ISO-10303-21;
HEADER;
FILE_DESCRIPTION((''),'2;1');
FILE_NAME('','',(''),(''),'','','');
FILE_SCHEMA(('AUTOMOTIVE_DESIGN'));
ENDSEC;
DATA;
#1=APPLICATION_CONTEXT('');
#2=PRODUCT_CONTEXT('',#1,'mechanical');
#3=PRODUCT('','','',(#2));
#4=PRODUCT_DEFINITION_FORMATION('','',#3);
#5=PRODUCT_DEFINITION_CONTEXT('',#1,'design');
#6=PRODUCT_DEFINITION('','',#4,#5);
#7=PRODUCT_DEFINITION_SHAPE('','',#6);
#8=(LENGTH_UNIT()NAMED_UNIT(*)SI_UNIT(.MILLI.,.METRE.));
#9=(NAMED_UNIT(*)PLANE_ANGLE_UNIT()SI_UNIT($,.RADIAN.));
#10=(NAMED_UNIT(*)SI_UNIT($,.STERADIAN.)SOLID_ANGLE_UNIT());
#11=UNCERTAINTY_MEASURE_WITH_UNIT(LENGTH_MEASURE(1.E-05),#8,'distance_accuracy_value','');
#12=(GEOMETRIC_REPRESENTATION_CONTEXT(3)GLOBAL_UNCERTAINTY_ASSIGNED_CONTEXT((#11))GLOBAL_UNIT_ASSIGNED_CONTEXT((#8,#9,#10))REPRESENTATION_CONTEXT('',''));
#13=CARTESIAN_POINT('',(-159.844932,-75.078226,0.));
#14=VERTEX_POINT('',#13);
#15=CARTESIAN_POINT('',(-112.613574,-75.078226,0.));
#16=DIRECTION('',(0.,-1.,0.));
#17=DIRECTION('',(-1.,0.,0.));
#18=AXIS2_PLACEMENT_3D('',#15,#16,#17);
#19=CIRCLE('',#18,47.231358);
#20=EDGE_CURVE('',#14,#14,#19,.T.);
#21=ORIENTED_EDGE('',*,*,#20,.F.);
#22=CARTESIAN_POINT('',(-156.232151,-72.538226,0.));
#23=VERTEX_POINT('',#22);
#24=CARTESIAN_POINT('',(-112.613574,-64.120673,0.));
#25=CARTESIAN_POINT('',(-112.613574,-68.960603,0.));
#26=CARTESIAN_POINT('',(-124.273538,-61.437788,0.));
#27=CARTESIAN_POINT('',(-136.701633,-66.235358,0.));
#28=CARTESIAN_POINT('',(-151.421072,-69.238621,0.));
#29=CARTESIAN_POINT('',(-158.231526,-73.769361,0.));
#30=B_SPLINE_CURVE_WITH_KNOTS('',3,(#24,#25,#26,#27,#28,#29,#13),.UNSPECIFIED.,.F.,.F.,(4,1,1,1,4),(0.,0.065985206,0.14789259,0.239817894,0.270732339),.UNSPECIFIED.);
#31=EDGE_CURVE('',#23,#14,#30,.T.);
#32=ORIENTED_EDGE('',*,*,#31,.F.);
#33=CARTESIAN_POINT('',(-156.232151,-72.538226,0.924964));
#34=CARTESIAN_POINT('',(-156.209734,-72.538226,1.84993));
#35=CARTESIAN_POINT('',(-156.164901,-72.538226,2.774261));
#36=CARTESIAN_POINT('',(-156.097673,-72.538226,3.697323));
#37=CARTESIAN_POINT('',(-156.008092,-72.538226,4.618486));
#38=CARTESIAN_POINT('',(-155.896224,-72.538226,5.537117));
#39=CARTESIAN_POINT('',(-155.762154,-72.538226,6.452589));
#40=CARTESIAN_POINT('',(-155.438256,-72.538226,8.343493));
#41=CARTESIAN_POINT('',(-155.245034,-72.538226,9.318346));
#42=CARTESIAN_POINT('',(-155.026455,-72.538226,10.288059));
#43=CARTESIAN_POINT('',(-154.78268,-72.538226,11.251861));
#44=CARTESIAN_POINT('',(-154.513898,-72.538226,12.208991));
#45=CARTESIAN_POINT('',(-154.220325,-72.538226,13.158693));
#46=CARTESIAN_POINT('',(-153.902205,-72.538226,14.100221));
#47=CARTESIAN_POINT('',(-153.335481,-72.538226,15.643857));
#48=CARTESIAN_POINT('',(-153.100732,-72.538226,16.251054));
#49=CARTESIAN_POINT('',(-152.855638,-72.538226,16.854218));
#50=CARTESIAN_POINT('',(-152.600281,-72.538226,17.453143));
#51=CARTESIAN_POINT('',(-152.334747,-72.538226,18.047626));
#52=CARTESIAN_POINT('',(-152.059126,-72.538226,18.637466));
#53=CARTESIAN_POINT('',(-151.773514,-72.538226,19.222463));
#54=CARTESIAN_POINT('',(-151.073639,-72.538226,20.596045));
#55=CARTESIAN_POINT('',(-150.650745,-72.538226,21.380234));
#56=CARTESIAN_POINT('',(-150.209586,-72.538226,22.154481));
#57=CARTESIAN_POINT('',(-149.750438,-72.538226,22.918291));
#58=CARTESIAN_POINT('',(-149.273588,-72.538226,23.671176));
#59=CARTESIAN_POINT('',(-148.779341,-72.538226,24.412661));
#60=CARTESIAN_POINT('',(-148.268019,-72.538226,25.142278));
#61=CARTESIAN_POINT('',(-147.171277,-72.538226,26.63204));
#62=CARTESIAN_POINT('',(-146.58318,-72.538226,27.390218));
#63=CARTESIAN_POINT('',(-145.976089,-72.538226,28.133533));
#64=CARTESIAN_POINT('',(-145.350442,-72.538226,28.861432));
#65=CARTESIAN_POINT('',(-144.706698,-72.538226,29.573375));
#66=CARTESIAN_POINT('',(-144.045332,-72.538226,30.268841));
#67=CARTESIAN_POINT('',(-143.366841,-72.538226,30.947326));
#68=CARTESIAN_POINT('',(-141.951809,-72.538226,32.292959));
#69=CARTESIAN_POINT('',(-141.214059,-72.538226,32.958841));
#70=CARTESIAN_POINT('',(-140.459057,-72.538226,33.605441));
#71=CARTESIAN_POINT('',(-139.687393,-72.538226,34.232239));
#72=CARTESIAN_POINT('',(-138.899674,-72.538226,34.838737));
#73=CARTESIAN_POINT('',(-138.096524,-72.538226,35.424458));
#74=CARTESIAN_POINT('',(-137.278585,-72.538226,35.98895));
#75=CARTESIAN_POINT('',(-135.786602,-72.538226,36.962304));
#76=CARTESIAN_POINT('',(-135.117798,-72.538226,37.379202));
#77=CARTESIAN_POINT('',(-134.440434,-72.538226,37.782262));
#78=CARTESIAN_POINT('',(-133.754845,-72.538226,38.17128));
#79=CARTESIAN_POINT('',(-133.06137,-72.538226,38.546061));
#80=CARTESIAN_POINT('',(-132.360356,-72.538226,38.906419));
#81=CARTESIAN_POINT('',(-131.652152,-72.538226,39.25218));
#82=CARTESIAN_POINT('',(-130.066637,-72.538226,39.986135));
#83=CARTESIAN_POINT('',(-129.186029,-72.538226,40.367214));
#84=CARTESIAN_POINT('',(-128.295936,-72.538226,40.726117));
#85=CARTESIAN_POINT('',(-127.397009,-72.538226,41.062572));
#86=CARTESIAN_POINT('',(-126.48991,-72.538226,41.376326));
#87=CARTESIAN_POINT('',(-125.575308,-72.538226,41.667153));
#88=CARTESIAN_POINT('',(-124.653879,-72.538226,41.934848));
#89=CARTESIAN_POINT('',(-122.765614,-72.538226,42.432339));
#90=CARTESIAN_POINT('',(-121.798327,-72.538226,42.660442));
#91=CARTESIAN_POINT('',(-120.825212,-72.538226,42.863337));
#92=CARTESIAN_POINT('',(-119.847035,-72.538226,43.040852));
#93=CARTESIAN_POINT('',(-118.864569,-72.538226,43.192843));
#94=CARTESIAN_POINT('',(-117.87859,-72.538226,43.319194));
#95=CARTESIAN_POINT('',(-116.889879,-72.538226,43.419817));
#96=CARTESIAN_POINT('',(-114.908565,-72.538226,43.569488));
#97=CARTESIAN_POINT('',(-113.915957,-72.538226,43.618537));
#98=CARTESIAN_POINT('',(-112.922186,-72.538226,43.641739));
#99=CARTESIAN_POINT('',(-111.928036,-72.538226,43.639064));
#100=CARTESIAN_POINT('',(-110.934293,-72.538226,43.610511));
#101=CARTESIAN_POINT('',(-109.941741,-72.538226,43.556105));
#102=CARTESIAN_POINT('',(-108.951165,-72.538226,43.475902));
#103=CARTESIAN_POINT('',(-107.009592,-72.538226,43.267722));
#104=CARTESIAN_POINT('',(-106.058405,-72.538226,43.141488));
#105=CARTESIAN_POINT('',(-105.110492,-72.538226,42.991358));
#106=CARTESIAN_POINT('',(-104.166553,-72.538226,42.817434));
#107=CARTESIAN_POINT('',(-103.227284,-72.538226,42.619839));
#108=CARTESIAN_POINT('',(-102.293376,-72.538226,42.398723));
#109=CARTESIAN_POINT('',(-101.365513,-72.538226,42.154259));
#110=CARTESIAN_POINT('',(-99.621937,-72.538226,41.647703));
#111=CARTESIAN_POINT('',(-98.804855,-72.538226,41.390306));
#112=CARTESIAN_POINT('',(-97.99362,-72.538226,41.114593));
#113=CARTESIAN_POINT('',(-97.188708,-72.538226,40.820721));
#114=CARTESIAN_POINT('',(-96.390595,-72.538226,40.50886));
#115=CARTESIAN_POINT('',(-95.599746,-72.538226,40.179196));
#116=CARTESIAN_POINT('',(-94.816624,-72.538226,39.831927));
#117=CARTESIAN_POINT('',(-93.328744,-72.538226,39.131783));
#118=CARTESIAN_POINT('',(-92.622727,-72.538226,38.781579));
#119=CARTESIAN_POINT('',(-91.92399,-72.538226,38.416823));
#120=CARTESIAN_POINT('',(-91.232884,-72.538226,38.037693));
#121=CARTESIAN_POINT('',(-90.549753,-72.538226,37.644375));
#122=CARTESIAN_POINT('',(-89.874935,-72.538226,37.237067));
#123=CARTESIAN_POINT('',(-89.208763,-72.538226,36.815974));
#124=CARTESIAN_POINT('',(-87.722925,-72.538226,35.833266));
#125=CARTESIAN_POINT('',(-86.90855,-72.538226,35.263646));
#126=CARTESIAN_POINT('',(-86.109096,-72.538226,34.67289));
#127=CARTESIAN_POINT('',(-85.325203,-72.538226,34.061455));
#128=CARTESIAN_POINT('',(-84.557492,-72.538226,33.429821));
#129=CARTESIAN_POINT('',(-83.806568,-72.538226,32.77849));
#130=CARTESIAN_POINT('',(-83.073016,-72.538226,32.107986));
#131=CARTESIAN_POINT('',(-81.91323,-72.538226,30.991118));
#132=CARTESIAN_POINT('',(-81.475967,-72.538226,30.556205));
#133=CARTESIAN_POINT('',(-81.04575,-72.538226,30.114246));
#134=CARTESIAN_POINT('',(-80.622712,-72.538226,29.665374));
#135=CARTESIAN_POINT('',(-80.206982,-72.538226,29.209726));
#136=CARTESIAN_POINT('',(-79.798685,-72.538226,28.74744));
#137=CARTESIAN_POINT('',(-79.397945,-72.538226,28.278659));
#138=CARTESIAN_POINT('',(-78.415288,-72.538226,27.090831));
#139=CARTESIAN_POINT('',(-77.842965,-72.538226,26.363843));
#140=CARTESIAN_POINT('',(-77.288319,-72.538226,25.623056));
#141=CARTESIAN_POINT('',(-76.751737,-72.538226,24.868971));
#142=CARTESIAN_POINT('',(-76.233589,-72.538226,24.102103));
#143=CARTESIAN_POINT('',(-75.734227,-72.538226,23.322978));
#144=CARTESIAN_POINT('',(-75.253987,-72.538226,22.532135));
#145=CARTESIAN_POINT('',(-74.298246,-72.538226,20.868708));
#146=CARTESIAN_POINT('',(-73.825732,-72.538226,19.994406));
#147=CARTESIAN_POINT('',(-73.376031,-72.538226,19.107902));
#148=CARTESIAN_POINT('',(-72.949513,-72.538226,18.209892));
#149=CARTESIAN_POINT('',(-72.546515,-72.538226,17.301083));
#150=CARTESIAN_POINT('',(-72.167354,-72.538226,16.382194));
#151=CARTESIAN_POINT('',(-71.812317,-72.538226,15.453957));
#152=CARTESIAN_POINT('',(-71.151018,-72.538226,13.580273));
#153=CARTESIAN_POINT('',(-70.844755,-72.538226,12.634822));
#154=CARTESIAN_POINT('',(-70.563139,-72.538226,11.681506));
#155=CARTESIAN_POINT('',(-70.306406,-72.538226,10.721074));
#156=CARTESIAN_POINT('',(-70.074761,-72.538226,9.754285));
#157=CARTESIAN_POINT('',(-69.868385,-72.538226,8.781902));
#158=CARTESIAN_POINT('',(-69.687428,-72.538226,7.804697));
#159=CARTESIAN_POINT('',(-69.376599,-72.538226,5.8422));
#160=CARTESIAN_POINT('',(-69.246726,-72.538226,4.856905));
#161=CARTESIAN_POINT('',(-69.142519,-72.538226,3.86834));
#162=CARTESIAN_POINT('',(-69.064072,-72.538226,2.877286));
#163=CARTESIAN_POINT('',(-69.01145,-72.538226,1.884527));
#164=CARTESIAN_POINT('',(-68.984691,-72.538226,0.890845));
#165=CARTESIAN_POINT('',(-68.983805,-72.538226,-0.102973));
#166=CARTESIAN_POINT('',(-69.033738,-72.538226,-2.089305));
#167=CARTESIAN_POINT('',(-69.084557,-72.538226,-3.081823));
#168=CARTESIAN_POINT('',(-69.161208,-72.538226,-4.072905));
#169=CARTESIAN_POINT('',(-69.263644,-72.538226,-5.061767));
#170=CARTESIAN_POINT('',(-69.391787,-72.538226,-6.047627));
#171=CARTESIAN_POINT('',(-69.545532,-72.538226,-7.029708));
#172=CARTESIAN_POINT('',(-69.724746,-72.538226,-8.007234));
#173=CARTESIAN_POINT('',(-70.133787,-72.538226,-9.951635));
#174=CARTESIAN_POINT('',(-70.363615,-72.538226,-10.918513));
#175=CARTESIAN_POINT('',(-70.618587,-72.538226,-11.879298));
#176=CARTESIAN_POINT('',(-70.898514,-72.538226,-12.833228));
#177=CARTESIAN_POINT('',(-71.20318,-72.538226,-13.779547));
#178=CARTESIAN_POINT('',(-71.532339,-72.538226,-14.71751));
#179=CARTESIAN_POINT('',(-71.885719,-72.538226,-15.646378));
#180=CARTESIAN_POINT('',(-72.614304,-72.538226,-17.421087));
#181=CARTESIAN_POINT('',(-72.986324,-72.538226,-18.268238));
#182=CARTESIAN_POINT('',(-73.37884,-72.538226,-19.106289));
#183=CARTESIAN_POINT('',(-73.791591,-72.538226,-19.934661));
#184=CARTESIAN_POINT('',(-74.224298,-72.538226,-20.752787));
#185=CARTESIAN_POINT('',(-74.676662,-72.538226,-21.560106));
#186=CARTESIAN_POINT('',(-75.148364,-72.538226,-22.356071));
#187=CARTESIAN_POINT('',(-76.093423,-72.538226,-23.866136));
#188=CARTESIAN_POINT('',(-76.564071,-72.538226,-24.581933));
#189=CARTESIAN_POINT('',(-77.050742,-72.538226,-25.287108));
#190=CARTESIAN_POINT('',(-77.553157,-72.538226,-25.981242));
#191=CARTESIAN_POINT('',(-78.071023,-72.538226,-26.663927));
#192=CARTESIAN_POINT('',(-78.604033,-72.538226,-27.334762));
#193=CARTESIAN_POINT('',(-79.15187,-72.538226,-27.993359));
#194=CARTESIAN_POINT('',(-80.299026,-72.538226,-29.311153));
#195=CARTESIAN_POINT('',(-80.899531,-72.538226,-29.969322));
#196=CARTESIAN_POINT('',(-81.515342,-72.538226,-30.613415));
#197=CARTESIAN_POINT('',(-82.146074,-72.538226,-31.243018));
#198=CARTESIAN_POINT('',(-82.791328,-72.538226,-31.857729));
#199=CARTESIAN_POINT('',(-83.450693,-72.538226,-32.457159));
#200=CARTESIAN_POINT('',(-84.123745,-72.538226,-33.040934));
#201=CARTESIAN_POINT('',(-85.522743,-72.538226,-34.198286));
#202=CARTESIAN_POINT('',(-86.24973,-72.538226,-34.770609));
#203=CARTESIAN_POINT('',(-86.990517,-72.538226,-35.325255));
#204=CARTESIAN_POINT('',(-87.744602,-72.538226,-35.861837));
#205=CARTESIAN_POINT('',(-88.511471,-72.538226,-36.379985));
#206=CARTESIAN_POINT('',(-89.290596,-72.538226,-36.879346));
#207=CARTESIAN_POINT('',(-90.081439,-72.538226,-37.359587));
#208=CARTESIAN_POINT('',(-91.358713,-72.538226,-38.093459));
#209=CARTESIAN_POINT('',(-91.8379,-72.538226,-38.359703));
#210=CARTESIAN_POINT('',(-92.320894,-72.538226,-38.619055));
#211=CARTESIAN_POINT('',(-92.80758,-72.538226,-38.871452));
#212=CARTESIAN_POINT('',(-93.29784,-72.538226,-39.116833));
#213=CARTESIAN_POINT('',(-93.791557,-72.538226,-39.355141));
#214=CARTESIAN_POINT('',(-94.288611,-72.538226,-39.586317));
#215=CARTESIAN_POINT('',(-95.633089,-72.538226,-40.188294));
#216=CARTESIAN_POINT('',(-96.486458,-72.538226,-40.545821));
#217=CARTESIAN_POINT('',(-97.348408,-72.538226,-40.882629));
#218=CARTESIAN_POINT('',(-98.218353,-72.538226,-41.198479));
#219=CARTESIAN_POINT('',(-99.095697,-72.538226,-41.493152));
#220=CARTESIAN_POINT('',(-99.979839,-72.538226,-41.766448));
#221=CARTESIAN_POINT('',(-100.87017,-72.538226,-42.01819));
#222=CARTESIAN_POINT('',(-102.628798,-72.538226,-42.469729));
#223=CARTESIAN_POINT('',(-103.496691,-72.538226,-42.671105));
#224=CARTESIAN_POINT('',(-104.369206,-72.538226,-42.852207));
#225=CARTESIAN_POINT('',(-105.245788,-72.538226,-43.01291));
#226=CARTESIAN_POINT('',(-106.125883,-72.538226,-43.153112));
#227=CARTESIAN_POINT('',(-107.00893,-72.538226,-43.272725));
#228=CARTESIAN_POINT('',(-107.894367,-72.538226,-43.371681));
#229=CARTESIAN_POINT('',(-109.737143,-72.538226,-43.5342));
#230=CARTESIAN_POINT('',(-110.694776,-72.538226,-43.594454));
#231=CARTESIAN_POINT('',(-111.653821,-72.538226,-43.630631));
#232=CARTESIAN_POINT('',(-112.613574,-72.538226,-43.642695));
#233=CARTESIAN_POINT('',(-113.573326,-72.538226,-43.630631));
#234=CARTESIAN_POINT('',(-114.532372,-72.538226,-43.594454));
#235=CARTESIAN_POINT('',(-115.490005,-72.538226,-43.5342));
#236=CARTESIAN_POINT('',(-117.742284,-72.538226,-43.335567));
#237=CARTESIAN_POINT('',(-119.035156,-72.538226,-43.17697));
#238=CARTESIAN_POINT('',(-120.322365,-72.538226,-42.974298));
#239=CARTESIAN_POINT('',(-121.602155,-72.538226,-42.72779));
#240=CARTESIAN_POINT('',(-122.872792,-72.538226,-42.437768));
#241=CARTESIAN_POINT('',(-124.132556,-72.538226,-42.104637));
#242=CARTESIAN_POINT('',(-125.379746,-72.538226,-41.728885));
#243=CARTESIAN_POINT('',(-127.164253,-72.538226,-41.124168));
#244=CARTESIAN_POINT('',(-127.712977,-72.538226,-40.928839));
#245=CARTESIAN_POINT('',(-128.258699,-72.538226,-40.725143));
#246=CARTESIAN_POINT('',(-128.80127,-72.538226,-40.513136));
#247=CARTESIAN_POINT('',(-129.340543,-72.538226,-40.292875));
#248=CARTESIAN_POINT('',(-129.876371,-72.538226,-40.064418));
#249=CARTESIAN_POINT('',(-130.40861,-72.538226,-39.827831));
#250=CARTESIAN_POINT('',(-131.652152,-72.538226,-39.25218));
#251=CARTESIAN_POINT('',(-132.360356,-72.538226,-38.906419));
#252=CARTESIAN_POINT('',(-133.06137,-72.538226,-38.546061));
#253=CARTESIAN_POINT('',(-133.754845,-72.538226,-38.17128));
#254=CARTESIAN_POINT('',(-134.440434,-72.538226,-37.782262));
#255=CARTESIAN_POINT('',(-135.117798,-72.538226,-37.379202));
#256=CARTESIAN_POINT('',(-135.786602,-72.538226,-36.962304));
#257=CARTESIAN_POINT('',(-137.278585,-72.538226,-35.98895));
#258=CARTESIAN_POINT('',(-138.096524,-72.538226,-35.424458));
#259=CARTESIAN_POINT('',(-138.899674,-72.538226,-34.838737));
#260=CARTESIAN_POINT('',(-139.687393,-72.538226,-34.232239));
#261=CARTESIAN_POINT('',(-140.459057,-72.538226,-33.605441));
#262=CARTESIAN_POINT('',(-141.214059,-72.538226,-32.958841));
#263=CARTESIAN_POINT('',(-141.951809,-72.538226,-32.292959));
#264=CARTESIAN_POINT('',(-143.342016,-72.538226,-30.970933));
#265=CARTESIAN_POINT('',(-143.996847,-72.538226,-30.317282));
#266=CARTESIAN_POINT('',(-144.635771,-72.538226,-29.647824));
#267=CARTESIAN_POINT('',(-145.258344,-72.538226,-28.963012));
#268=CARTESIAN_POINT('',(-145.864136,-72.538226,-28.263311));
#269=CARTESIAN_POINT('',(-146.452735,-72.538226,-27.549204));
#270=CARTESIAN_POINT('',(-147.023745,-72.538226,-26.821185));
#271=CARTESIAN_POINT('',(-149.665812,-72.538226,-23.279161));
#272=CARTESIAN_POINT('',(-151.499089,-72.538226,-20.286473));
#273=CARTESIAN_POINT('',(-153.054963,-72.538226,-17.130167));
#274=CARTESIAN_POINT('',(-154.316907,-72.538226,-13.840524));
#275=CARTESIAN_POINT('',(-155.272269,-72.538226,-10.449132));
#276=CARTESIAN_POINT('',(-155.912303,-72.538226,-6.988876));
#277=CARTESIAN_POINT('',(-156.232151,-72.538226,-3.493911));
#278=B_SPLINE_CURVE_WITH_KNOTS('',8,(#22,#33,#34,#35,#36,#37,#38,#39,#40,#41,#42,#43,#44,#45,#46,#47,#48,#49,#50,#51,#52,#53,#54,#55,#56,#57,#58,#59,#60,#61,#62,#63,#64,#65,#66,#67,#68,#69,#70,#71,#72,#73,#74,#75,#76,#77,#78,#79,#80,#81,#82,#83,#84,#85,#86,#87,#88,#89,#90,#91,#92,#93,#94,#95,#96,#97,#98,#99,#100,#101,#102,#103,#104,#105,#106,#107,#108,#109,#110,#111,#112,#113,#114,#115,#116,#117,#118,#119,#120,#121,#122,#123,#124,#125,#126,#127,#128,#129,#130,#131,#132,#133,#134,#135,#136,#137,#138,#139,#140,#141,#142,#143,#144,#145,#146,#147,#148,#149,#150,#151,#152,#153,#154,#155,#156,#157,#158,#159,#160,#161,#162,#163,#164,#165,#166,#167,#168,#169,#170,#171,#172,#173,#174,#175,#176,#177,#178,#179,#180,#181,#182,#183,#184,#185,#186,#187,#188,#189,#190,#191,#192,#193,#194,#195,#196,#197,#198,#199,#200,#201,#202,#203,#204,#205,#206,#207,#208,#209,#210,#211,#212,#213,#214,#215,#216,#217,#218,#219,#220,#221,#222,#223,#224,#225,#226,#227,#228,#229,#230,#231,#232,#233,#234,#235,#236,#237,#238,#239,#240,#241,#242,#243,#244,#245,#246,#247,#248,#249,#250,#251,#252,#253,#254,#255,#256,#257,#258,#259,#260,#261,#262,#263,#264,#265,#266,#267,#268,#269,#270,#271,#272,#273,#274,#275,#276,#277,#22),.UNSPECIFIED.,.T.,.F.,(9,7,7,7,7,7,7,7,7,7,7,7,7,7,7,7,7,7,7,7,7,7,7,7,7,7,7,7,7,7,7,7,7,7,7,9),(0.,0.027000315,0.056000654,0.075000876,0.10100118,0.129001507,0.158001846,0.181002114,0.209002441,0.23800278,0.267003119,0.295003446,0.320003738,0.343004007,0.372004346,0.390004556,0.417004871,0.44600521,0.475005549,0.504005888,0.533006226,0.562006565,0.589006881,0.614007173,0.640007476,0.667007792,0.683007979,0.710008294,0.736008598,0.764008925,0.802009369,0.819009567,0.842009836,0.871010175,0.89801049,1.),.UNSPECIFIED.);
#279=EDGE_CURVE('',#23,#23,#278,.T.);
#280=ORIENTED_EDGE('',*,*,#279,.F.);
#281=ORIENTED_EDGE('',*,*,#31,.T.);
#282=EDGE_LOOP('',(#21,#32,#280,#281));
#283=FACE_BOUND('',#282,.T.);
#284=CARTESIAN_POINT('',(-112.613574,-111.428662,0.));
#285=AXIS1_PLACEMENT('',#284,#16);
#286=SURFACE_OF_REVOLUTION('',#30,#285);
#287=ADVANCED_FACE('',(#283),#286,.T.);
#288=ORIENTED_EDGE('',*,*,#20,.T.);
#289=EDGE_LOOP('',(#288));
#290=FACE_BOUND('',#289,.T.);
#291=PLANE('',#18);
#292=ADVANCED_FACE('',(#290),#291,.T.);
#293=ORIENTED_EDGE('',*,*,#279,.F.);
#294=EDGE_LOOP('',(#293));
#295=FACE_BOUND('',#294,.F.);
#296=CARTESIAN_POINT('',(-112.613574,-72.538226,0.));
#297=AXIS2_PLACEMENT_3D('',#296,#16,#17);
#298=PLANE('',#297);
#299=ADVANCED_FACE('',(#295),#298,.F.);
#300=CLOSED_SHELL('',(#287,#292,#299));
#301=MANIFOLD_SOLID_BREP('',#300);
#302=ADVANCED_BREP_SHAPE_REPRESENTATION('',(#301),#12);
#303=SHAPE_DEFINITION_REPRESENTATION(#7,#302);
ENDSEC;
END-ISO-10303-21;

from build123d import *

# Parameters (mm, degrees)
F2_T = -2.54


with BuildPart() as f1:
    # F0 (on Top) → F1 (revolve)
    with BuildSketch(Plane.XY):
        with BuildLine():
            Line((-112.6135736704, -75.0782261945), (-112.6135736704, -64.1206726432))
            add(Edge.make_bspline(
                [(-112.6135736704, -64.1206726432), (-112.6135736704, -68.9606034958), (-124.2735377667, -61.4377880296), (-136.7016329212, -66.2353577222), (-151.4210721082, -69.2386211541), (-158.231526337, -73.7693606689), (-159.8449316522, -75.0782261944)],
                knots=[0, 0, 0, 0, 0.0659852062, 0.1478925897, 0.2398178942, 0.2707323388, 0.2707323388, 0.2707323388, 0.2707323388], degree=3))
            Line((-159.8449316521, -75.0782261945), (-148.872256541, -75.0782261945))
            Line((-148.872256541, -75.0782261945), (-112.6135736704, -75.0782261945))
        make_face()
    revolve(axis=Axis((-112.6135736704, -111.4286622033, 0), (0, -1, 0)))

    # F2
    f2_openings = [f1.faces().sort_by_distance(p)[0] for p in [
        (-90.525806, -65.169487, 0),
    ]]
    offset(amount=F2_T, openings=f2_openings)


solid = f1.part
